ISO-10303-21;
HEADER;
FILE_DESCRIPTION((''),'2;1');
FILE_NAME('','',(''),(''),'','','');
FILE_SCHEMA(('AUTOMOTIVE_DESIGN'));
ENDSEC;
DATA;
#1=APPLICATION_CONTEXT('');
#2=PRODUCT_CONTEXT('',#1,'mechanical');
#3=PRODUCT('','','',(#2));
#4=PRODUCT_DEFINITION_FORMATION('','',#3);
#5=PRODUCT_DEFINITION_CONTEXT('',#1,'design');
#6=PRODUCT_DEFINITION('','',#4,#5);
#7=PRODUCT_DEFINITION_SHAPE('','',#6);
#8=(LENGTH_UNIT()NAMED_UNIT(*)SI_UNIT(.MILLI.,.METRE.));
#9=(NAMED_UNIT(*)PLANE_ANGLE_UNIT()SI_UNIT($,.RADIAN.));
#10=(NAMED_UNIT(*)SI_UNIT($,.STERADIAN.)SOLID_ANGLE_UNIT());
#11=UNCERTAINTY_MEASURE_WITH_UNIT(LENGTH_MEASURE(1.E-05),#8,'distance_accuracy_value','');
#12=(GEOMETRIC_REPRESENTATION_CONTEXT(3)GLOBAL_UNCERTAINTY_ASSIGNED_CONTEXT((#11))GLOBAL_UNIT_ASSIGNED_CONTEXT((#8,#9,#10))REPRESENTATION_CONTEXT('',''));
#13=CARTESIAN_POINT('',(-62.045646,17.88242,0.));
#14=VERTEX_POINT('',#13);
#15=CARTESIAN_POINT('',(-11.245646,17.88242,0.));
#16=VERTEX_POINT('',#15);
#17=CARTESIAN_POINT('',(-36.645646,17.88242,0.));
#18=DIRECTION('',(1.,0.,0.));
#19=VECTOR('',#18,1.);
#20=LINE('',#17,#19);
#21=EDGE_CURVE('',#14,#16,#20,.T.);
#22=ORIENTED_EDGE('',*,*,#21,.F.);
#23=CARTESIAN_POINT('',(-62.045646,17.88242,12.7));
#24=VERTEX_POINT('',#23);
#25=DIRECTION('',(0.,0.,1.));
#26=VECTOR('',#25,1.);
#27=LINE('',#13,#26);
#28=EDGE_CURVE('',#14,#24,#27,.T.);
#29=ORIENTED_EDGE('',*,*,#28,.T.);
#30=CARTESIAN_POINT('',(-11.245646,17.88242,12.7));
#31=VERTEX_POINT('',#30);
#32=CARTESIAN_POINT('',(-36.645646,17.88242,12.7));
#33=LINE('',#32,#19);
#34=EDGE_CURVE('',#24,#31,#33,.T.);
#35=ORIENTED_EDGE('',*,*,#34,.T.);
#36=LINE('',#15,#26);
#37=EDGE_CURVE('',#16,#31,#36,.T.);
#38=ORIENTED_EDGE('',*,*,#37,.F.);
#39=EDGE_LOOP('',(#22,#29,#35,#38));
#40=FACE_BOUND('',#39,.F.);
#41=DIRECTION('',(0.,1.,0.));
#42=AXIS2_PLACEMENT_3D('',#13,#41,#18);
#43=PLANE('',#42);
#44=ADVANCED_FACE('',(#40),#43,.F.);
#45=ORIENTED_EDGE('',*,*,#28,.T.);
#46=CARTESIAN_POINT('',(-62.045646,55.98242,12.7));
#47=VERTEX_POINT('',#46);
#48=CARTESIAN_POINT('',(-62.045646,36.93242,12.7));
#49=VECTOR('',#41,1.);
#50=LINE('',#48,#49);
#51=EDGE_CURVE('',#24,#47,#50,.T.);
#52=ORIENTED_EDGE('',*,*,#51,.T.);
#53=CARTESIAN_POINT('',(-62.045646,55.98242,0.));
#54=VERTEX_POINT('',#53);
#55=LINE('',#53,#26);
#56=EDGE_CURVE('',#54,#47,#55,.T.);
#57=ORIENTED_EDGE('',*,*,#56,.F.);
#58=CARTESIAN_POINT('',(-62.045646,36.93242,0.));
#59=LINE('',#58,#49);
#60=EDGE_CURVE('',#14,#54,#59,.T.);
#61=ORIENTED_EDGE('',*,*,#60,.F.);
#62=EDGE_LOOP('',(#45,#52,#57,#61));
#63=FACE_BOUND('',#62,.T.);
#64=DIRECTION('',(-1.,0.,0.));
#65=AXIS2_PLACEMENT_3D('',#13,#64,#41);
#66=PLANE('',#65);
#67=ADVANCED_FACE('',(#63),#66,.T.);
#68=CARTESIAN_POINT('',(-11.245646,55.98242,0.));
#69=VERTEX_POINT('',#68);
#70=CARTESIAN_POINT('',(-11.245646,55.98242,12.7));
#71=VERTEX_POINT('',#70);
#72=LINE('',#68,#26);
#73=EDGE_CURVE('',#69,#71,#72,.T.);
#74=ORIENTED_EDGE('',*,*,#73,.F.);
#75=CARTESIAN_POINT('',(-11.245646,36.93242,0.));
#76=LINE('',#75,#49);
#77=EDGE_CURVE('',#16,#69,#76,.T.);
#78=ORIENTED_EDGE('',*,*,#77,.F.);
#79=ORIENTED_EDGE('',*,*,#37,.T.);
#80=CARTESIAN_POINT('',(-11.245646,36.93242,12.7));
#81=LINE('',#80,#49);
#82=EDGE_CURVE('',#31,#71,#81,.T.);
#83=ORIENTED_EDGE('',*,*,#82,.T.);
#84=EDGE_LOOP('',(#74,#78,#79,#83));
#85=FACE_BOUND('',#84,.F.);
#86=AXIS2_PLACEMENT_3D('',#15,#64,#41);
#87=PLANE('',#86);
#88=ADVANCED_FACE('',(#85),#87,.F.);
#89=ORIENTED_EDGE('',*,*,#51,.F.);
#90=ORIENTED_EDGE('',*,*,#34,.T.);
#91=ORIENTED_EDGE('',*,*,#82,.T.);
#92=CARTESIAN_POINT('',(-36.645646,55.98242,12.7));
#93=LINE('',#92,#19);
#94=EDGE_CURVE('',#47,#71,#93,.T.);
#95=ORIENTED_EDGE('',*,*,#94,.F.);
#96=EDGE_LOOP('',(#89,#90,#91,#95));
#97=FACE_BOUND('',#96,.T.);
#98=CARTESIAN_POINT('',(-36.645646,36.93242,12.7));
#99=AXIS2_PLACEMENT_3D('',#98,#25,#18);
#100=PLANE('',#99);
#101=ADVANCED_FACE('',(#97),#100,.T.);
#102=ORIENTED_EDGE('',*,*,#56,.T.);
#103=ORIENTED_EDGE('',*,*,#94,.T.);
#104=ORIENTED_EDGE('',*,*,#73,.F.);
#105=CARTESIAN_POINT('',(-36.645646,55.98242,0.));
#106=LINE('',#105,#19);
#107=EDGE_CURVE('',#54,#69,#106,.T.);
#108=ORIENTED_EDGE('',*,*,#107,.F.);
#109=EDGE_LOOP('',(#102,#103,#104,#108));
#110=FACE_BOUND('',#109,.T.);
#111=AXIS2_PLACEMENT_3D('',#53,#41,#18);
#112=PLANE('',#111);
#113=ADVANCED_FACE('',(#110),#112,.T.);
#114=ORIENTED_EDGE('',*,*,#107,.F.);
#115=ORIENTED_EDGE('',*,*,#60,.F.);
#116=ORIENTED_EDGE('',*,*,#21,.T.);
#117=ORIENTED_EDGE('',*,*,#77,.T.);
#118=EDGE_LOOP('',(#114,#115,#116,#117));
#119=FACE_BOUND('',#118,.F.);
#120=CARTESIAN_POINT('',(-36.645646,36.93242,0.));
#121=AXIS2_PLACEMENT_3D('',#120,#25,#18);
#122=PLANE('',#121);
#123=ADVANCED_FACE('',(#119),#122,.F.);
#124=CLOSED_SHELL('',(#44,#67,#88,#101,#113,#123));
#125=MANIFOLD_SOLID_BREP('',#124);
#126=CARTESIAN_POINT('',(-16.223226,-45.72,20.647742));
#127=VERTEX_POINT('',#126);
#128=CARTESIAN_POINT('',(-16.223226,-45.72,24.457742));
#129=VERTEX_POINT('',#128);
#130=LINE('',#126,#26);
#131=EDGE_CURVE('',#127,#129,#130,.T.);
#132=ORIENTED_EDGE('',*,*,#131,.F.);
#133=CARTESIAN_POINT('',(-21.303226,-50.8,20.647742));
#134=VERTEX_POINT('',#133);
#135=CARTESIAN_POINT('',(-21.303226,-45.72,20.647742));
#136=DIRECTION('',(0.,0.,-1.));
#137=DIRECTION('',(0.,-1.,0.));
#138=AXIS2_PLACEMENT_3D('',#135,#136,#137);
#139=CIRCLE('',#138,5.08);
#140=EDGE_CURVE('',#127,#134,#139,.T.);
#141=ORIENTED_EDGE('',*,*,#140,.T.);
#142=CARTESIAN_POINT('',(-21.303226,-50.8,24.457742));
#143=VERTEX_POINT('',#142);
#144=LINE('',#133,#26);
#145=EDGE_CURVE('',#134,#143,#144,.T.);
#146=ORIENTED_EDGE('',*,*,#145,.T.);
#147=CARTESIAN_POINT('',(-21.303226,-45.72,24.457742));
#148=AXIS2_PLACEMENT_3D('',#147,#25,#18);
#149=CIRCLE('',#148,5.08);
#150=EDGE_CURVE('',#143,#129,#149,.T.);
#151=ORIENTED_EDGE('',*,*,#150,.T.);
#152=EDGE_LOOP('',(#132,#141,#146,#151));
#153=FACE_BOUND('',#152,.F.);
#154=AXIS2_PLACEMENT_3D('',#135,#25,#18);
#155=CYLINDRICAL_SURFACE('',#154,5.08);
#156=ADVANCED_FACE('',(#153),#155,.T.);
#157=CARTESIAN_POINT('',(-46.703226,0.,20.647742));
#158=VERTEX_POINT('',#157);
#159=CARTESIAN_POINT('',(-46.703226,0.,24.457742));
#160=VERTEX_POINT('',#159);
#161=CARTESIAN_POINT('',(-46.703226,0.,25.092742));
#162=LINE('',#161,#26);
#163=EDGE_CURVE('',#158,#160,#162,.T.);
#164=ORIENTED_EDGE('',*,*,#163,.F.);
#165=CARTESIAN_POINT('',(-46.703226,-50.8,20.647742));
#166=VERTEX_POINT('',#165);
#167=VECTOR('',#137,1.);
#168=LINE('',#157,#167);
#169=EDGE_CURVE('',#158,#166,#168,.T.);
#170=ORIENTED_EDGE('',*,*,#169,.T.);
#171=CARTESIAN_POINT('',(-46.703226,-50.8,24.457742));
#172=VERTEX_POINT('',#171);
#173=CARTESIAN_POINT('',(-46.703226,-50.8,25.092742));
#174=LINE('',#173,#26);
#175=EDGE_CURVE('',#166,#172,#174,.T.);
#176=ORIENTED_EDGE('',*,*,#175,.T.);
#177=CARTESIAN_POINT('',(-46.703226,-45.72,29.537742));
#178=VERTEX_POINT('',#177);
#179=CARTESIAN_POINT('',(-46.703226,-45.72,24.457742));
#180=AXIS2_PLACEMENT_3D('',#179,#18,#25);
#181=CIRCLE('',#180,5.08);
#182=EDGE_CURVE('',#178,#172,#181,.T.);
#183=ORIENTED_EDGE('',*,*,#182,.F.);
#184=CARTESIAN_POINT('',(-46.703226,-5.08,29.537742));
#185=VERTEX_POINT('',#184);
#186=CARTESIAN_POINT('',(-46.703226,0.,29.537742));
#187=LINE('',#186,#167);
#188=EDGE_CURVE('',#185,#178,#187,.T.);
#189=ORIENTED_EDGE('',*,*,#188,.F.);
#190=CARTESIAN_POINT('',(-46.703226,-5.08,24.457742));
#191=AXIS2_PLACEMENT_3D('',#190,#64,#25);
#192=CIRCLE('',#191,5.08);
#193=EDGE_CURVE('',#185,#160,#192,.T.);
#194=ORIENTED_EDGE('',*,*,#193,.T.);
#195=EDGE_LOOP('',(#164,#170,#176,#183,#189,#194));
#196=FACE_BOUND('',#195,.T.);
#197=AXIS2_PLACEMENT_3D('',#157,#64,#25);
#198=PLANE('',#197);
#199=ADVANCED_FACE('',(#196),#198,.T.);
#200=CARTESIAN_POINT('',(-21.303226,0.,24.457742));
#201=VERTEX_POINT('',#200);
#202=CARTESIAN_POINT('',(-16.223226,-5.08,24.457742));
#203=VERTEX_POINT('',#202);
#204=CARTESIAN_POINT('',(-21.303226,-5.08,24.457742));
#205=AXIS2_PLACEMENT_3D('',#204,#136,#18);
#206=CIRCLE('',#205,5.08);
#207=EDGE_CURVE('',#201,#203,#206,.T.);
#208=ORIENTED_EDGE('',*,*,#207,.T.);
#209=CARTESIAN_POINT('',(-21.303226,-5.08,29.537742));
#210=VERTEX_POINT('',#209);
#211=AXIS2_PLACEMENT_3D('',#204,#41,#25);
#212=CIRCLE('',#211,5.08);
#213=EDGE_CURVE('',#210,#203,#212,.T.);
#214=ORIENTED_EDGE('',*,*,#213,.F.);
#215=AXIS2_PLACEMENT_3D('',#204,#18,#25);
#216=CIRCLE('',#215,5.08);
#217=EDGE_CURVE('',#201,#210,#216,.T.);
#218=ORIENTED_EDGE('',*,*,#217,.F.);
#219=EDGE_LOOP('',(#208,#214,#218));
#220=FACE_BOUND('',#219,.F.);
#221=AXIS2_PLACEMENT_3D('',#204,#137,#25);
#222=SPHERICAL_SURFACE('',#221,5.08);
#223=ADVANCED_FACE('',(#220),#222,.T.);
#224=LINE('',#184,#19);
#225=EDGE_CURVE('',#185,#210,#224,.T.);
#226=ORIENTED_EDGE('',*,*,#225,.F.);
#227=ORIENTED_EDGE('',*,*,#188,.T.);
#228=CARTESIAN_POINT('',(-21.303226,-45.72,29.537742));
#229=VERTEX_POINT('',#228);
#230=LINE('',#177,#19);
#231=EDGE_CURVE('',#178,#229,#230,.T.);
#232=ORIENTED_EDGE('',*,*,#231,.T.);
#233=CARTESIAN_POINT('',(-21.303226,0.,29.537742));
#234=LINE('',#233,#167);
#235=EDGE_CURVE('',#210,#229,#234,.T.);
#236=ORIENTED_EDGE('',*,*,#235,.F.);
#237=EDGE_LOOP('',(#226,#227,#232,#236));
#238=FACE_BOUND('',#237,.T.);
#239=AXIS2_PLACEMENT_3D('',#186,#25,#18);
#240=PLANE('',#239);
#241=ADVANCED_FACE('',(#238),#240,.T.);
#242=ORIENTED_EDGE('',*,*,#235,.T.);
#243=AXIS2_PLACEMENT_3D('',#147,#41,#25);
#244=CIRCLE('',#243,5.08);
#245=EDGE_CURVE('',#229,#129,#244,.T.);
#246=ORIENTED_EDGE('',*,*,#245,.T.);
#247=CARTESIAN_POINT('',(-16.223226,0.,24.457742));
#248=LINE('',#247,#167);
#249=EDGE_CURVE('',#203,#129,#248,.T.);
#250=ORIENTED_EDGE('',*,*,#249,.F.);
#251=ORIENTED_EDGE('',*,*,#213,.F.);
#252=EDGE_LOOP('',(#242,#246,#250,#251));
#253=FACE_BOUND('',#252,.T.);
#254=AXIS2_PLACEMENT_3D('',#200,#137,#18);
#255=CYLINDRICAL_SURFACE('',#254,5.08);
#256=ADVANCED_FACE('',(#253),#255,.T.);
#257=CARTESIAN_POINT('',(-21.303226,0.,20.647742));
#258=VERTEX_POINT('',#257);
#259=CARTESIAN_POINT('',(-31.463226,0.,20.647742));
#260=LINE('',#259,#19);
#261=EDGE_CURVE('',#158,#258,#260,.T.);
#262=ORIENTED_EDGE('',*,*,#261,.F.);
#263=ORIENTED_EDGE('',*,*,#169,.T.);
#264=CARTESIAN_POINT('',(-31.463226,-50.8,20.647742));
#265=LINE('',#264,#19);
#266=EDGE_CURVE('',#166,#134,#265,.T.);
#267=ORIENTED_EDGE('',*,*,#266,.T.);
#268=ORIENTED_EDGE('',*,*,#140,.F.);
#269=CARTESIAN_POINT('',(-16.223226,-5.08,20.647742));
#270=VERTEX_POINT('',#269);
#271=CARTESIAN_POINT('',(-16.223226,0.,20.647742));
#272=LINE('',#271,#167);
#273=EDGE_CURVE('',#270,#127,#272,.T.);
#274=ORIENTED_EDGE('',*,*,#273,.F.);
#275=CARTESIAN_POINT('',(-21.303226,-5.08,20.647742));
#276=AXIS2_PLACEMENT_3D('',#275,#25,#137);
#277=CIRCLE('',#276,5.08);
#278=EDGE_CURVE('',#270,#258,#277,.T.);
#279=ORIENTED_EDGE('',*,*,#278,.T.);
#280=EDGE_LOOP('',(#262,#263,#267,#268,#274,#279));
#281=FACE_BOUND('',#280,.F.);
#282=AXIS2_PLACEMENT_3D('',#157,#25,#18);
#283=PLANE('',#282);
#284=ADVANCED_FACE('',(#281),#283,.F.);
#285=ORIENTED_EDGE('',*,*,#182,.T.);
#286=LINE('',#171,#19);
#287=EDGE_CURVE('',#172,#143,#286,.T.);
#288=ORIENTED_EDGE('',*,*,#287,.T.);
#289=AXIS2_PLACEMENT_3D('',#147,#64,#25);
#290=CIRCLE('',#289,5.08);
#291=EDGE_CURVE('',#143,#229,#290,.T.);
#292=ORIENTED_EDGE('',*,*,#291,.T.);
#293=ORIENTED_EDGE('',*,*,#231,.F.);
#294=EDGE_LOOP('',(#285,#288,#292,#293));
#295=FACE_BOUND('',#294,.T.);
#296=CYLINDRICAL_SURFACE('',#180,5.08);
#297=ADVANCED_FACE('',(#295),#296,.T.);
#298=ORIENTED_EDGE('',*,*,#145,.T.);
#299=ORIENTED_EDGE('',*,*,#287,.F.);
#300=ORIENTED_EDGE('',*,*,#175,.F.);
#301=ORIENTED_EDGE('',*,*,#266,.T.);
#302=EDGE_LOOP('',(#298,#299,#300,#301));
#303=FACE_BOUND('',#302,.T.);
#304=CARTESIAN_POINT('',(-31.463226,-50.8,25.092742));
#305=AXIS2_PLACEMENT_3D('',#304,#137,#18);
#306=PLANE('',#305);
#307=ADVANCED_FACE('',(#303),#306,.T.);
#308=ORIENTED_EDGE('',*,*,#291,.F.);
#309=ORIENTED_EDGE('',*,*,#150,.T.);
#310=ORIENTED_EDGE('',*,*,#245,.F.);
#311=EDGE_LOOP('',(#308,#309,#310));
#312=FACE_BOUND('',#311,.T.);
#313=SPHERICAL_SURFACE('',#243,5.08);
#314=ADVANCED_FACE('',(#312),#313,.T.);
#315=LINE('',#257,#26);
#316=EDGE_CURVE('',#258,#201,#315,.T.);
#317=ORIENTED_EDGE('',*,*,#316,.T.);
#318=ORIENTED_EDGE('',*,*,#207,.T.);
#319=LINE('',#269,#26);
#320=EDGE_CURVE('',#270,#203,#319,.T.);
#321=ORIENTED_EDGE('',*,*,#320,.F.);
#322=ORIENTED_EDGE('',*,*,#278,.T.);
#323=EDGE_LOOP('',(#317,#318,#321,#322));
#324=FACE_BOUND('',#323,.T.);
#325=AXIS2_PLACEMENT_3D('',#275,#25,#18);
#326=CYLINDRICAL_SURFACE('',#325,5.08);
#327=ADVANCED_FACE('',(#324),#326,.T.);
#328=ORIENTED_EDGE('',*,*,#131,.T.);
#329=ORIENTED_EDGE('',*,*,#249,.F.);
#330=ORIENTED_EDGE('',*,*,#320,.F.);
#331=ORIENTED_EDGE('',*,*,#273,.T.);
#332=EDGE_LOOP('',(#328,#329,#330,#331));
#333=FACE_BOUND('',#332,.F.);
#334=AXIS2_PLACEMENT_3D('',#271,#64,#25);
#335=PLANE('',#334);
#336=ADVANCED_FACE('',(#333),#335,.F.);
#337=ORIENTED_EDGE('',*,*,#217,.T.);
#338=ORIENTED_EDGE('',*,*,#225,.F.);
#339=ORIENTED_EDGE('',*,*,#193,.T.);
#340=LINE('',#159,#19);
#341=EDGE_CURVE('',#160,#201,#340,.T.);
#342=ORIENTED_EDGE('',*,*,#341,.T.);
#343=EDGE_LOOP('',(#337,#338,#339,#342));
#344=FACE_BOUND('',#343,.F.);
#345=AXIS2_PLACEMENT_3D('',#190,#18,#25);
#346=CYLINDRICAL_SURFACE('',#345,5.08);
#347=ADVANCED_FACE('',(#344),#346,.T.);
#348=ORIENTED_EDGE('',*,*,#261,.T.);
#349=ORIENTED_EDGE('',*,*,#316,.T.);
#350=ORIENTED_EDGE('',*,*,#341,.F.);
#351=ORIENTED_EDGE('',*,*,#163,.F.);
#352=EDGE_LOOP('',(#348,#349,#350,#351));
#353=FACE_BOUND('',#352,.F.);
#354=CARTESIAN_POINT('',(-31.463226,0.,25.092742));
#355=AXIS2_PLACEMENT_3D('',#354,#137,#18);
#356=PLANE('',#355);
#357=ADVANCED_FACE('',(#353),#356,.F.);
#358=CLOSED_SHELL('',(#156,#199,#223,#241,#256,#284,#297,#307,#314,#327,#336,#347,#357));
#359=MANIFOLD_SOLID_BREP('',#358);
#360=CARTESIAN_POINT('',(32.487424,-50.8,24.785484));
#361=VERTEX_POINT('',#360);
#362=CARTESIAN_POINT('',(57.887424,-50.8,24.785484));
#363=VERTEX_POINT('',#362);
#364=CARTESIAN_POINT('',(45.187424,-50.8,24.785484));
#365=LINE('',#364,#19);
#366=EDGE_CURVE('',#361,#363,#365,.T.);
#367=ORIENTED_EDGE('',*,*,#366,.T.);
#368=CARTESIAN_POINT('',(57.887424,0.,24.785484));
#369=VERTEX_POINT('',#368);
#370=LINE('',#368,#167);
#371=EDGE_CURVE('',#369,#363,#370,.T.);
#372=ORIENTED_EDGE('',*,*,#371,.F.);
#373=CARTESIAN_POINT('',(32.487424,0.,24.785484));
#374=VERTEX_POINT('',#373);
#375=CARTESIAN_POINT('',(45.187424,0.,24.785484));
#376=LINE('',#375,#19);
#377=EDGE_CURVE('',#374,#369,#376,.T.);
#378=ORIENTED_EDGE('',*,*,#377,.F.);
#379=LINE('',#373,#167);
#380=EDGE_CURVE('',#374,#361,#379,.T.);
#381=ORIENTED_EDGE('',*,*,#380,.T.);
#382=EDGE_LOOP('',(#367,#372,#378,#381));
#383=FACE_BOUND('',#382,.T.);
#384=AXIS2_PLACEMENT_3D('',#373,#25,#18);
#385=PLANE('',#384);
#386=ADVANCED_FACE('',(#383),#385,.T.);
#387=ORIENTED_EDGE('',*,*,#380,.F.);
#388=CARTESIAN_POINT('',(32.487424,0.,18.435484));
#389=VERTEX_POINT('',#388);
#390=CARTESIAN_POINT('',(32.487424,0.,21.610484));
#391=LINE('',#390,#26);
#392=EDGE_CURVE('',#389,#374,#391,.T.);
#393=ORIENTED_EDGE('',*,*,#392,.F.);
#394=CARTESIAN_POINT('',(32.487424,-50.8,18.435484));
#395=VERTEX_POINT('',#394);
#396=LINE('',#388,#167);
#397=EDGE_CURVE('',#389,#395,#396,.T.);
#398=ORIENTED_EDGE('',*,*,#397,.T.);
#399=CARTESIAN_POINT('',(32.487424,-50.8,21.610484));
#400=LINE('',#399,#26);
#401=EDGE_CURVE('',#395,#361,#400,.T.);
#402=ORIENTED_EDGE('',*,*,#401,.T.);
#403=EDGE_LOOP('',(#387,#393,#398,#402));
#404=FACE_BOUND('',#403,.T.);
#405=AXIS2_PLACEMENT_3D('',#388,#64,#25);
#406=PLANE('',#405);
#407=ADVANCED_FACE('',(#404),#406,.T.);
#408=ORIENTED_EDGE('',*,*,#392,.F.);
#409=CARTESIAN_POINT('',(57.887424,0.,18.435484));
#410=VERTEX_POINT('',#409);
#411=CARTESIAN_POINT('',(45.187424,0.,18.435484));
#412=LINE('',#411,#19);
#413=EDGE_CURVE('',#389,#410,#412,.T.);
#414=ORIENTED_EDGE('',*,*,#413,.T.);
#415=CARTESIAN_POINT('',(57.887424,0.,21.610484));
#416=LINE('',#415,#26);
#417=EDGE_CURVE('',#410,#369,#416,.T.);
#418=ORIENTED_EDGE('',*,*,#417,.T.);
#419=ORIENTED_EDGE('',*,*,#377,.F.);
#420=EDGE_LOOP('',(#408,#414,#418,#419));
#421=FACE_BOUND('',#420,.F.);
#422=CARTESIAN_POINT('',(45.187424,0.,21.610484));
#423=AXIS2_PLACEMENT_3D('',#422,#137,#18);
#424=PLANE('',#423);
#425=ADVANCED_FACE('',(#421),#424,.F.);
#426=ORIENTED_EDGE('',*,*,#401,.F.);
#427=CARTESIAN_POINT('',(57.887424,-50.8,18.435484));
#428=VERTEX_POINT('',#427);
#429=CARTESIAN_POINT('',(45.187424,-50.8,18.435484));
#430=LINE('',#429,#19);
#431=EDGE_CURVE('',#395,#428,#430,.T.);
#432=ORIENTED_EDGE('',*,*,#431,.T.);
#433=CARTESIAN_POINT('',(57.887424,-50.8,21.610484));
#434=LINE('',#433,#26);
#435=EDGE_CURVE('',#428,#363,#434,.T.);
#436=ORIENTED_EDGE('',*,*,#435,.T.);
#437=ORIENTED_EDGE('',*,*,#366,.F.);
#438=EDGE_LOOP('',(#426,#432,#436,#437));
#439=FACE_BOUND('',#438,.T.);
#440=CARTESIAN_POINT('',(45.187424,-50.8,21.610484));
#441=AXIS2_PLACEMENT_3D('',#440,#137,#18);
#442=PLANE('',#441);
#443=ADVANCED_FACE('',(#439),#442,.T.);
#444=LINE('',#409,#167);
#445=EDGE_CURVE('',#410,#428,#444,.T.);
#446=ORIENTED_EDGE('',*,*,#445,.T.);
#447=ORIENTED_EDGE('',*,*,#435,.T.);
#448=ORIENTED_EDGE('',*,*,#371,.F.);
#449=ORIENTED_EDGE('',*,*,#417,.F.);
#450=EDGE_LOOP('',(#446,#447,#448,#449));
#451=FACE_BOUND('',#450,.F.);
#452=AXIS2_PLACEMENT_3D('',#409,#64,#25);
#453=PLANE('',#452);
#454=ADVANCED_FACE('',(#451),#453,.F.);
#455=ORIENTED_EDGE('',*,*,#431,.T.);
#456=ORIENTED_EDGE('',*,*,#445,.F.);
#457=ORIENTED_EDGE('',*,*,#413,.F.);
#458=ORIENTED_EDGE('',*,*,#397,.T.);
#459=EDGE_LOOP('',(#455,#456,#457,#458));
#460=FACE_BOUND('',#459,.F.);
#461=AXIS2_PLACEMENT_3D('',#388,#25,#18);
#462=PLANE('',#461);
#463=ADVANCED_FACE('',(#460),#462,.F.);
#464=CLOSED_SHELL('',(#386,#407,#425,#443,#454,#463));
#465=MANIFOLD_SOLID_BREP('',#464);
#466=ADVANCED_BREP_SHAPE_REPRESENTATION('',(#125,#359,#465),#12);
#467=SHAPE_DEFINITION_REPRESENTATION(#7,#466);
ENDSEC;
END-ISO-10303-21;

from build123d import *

# Parameters (mm, degrees)
F0_W     = 30.48
F0_H     = 8.89
F1_DEPTH = 50.8
F2_R     = 5.08
F3_W     = 25.4
F3_H     = 6.35
F4_DEPTH = 50.8
F5_W     = 50.8
F5_H     = 38.1
F6_DEPTH = 12.7


with BuildPart() as f1:
    # F0 (on Front) → F1 (new body)
    with BuildSketch(Plane.XZ):
        with Locations((-31.463226, 25.092742)):
            Rectangle(F0_W, F0_H)
    extrude(amount=F1_DEPTH)

    # F2
    f2_edges = [f1.edges().sort_by_distance(p)[0] for p in [
        (-16.223226, -25.4, 29.537742),
        (-31.463226, -50.8, 29.537742),
        (-16.223226, -50.8, 25.092742),
        (-31.463226, 0, 29.537742),
        (-16.223226, 0, 25.092742),
    ]]
    fillet(f2_edges, radius=F2_R)


with BuildPart() as f4:
    # F3 (on Front) → F4 (new body)
    with BuildSketch(Plane.XZ):
        with Locations((45.187424, 21.610484)):
            Rectangle(F3_W, F3_H)
    extrude(amount=F4_DEPTH)


with BuildPart() as f6:
    # F5 (on Top) → F6 (new body)
    with BuildSketch(Plane.XY):
        with Locations((-36.645646, 36.93242)):
            Rectangle(F5_W, F5_H)
    extrude(amount=F6_DEPTH)


solid = Compound([f1.part, f4.part, f6.part])
